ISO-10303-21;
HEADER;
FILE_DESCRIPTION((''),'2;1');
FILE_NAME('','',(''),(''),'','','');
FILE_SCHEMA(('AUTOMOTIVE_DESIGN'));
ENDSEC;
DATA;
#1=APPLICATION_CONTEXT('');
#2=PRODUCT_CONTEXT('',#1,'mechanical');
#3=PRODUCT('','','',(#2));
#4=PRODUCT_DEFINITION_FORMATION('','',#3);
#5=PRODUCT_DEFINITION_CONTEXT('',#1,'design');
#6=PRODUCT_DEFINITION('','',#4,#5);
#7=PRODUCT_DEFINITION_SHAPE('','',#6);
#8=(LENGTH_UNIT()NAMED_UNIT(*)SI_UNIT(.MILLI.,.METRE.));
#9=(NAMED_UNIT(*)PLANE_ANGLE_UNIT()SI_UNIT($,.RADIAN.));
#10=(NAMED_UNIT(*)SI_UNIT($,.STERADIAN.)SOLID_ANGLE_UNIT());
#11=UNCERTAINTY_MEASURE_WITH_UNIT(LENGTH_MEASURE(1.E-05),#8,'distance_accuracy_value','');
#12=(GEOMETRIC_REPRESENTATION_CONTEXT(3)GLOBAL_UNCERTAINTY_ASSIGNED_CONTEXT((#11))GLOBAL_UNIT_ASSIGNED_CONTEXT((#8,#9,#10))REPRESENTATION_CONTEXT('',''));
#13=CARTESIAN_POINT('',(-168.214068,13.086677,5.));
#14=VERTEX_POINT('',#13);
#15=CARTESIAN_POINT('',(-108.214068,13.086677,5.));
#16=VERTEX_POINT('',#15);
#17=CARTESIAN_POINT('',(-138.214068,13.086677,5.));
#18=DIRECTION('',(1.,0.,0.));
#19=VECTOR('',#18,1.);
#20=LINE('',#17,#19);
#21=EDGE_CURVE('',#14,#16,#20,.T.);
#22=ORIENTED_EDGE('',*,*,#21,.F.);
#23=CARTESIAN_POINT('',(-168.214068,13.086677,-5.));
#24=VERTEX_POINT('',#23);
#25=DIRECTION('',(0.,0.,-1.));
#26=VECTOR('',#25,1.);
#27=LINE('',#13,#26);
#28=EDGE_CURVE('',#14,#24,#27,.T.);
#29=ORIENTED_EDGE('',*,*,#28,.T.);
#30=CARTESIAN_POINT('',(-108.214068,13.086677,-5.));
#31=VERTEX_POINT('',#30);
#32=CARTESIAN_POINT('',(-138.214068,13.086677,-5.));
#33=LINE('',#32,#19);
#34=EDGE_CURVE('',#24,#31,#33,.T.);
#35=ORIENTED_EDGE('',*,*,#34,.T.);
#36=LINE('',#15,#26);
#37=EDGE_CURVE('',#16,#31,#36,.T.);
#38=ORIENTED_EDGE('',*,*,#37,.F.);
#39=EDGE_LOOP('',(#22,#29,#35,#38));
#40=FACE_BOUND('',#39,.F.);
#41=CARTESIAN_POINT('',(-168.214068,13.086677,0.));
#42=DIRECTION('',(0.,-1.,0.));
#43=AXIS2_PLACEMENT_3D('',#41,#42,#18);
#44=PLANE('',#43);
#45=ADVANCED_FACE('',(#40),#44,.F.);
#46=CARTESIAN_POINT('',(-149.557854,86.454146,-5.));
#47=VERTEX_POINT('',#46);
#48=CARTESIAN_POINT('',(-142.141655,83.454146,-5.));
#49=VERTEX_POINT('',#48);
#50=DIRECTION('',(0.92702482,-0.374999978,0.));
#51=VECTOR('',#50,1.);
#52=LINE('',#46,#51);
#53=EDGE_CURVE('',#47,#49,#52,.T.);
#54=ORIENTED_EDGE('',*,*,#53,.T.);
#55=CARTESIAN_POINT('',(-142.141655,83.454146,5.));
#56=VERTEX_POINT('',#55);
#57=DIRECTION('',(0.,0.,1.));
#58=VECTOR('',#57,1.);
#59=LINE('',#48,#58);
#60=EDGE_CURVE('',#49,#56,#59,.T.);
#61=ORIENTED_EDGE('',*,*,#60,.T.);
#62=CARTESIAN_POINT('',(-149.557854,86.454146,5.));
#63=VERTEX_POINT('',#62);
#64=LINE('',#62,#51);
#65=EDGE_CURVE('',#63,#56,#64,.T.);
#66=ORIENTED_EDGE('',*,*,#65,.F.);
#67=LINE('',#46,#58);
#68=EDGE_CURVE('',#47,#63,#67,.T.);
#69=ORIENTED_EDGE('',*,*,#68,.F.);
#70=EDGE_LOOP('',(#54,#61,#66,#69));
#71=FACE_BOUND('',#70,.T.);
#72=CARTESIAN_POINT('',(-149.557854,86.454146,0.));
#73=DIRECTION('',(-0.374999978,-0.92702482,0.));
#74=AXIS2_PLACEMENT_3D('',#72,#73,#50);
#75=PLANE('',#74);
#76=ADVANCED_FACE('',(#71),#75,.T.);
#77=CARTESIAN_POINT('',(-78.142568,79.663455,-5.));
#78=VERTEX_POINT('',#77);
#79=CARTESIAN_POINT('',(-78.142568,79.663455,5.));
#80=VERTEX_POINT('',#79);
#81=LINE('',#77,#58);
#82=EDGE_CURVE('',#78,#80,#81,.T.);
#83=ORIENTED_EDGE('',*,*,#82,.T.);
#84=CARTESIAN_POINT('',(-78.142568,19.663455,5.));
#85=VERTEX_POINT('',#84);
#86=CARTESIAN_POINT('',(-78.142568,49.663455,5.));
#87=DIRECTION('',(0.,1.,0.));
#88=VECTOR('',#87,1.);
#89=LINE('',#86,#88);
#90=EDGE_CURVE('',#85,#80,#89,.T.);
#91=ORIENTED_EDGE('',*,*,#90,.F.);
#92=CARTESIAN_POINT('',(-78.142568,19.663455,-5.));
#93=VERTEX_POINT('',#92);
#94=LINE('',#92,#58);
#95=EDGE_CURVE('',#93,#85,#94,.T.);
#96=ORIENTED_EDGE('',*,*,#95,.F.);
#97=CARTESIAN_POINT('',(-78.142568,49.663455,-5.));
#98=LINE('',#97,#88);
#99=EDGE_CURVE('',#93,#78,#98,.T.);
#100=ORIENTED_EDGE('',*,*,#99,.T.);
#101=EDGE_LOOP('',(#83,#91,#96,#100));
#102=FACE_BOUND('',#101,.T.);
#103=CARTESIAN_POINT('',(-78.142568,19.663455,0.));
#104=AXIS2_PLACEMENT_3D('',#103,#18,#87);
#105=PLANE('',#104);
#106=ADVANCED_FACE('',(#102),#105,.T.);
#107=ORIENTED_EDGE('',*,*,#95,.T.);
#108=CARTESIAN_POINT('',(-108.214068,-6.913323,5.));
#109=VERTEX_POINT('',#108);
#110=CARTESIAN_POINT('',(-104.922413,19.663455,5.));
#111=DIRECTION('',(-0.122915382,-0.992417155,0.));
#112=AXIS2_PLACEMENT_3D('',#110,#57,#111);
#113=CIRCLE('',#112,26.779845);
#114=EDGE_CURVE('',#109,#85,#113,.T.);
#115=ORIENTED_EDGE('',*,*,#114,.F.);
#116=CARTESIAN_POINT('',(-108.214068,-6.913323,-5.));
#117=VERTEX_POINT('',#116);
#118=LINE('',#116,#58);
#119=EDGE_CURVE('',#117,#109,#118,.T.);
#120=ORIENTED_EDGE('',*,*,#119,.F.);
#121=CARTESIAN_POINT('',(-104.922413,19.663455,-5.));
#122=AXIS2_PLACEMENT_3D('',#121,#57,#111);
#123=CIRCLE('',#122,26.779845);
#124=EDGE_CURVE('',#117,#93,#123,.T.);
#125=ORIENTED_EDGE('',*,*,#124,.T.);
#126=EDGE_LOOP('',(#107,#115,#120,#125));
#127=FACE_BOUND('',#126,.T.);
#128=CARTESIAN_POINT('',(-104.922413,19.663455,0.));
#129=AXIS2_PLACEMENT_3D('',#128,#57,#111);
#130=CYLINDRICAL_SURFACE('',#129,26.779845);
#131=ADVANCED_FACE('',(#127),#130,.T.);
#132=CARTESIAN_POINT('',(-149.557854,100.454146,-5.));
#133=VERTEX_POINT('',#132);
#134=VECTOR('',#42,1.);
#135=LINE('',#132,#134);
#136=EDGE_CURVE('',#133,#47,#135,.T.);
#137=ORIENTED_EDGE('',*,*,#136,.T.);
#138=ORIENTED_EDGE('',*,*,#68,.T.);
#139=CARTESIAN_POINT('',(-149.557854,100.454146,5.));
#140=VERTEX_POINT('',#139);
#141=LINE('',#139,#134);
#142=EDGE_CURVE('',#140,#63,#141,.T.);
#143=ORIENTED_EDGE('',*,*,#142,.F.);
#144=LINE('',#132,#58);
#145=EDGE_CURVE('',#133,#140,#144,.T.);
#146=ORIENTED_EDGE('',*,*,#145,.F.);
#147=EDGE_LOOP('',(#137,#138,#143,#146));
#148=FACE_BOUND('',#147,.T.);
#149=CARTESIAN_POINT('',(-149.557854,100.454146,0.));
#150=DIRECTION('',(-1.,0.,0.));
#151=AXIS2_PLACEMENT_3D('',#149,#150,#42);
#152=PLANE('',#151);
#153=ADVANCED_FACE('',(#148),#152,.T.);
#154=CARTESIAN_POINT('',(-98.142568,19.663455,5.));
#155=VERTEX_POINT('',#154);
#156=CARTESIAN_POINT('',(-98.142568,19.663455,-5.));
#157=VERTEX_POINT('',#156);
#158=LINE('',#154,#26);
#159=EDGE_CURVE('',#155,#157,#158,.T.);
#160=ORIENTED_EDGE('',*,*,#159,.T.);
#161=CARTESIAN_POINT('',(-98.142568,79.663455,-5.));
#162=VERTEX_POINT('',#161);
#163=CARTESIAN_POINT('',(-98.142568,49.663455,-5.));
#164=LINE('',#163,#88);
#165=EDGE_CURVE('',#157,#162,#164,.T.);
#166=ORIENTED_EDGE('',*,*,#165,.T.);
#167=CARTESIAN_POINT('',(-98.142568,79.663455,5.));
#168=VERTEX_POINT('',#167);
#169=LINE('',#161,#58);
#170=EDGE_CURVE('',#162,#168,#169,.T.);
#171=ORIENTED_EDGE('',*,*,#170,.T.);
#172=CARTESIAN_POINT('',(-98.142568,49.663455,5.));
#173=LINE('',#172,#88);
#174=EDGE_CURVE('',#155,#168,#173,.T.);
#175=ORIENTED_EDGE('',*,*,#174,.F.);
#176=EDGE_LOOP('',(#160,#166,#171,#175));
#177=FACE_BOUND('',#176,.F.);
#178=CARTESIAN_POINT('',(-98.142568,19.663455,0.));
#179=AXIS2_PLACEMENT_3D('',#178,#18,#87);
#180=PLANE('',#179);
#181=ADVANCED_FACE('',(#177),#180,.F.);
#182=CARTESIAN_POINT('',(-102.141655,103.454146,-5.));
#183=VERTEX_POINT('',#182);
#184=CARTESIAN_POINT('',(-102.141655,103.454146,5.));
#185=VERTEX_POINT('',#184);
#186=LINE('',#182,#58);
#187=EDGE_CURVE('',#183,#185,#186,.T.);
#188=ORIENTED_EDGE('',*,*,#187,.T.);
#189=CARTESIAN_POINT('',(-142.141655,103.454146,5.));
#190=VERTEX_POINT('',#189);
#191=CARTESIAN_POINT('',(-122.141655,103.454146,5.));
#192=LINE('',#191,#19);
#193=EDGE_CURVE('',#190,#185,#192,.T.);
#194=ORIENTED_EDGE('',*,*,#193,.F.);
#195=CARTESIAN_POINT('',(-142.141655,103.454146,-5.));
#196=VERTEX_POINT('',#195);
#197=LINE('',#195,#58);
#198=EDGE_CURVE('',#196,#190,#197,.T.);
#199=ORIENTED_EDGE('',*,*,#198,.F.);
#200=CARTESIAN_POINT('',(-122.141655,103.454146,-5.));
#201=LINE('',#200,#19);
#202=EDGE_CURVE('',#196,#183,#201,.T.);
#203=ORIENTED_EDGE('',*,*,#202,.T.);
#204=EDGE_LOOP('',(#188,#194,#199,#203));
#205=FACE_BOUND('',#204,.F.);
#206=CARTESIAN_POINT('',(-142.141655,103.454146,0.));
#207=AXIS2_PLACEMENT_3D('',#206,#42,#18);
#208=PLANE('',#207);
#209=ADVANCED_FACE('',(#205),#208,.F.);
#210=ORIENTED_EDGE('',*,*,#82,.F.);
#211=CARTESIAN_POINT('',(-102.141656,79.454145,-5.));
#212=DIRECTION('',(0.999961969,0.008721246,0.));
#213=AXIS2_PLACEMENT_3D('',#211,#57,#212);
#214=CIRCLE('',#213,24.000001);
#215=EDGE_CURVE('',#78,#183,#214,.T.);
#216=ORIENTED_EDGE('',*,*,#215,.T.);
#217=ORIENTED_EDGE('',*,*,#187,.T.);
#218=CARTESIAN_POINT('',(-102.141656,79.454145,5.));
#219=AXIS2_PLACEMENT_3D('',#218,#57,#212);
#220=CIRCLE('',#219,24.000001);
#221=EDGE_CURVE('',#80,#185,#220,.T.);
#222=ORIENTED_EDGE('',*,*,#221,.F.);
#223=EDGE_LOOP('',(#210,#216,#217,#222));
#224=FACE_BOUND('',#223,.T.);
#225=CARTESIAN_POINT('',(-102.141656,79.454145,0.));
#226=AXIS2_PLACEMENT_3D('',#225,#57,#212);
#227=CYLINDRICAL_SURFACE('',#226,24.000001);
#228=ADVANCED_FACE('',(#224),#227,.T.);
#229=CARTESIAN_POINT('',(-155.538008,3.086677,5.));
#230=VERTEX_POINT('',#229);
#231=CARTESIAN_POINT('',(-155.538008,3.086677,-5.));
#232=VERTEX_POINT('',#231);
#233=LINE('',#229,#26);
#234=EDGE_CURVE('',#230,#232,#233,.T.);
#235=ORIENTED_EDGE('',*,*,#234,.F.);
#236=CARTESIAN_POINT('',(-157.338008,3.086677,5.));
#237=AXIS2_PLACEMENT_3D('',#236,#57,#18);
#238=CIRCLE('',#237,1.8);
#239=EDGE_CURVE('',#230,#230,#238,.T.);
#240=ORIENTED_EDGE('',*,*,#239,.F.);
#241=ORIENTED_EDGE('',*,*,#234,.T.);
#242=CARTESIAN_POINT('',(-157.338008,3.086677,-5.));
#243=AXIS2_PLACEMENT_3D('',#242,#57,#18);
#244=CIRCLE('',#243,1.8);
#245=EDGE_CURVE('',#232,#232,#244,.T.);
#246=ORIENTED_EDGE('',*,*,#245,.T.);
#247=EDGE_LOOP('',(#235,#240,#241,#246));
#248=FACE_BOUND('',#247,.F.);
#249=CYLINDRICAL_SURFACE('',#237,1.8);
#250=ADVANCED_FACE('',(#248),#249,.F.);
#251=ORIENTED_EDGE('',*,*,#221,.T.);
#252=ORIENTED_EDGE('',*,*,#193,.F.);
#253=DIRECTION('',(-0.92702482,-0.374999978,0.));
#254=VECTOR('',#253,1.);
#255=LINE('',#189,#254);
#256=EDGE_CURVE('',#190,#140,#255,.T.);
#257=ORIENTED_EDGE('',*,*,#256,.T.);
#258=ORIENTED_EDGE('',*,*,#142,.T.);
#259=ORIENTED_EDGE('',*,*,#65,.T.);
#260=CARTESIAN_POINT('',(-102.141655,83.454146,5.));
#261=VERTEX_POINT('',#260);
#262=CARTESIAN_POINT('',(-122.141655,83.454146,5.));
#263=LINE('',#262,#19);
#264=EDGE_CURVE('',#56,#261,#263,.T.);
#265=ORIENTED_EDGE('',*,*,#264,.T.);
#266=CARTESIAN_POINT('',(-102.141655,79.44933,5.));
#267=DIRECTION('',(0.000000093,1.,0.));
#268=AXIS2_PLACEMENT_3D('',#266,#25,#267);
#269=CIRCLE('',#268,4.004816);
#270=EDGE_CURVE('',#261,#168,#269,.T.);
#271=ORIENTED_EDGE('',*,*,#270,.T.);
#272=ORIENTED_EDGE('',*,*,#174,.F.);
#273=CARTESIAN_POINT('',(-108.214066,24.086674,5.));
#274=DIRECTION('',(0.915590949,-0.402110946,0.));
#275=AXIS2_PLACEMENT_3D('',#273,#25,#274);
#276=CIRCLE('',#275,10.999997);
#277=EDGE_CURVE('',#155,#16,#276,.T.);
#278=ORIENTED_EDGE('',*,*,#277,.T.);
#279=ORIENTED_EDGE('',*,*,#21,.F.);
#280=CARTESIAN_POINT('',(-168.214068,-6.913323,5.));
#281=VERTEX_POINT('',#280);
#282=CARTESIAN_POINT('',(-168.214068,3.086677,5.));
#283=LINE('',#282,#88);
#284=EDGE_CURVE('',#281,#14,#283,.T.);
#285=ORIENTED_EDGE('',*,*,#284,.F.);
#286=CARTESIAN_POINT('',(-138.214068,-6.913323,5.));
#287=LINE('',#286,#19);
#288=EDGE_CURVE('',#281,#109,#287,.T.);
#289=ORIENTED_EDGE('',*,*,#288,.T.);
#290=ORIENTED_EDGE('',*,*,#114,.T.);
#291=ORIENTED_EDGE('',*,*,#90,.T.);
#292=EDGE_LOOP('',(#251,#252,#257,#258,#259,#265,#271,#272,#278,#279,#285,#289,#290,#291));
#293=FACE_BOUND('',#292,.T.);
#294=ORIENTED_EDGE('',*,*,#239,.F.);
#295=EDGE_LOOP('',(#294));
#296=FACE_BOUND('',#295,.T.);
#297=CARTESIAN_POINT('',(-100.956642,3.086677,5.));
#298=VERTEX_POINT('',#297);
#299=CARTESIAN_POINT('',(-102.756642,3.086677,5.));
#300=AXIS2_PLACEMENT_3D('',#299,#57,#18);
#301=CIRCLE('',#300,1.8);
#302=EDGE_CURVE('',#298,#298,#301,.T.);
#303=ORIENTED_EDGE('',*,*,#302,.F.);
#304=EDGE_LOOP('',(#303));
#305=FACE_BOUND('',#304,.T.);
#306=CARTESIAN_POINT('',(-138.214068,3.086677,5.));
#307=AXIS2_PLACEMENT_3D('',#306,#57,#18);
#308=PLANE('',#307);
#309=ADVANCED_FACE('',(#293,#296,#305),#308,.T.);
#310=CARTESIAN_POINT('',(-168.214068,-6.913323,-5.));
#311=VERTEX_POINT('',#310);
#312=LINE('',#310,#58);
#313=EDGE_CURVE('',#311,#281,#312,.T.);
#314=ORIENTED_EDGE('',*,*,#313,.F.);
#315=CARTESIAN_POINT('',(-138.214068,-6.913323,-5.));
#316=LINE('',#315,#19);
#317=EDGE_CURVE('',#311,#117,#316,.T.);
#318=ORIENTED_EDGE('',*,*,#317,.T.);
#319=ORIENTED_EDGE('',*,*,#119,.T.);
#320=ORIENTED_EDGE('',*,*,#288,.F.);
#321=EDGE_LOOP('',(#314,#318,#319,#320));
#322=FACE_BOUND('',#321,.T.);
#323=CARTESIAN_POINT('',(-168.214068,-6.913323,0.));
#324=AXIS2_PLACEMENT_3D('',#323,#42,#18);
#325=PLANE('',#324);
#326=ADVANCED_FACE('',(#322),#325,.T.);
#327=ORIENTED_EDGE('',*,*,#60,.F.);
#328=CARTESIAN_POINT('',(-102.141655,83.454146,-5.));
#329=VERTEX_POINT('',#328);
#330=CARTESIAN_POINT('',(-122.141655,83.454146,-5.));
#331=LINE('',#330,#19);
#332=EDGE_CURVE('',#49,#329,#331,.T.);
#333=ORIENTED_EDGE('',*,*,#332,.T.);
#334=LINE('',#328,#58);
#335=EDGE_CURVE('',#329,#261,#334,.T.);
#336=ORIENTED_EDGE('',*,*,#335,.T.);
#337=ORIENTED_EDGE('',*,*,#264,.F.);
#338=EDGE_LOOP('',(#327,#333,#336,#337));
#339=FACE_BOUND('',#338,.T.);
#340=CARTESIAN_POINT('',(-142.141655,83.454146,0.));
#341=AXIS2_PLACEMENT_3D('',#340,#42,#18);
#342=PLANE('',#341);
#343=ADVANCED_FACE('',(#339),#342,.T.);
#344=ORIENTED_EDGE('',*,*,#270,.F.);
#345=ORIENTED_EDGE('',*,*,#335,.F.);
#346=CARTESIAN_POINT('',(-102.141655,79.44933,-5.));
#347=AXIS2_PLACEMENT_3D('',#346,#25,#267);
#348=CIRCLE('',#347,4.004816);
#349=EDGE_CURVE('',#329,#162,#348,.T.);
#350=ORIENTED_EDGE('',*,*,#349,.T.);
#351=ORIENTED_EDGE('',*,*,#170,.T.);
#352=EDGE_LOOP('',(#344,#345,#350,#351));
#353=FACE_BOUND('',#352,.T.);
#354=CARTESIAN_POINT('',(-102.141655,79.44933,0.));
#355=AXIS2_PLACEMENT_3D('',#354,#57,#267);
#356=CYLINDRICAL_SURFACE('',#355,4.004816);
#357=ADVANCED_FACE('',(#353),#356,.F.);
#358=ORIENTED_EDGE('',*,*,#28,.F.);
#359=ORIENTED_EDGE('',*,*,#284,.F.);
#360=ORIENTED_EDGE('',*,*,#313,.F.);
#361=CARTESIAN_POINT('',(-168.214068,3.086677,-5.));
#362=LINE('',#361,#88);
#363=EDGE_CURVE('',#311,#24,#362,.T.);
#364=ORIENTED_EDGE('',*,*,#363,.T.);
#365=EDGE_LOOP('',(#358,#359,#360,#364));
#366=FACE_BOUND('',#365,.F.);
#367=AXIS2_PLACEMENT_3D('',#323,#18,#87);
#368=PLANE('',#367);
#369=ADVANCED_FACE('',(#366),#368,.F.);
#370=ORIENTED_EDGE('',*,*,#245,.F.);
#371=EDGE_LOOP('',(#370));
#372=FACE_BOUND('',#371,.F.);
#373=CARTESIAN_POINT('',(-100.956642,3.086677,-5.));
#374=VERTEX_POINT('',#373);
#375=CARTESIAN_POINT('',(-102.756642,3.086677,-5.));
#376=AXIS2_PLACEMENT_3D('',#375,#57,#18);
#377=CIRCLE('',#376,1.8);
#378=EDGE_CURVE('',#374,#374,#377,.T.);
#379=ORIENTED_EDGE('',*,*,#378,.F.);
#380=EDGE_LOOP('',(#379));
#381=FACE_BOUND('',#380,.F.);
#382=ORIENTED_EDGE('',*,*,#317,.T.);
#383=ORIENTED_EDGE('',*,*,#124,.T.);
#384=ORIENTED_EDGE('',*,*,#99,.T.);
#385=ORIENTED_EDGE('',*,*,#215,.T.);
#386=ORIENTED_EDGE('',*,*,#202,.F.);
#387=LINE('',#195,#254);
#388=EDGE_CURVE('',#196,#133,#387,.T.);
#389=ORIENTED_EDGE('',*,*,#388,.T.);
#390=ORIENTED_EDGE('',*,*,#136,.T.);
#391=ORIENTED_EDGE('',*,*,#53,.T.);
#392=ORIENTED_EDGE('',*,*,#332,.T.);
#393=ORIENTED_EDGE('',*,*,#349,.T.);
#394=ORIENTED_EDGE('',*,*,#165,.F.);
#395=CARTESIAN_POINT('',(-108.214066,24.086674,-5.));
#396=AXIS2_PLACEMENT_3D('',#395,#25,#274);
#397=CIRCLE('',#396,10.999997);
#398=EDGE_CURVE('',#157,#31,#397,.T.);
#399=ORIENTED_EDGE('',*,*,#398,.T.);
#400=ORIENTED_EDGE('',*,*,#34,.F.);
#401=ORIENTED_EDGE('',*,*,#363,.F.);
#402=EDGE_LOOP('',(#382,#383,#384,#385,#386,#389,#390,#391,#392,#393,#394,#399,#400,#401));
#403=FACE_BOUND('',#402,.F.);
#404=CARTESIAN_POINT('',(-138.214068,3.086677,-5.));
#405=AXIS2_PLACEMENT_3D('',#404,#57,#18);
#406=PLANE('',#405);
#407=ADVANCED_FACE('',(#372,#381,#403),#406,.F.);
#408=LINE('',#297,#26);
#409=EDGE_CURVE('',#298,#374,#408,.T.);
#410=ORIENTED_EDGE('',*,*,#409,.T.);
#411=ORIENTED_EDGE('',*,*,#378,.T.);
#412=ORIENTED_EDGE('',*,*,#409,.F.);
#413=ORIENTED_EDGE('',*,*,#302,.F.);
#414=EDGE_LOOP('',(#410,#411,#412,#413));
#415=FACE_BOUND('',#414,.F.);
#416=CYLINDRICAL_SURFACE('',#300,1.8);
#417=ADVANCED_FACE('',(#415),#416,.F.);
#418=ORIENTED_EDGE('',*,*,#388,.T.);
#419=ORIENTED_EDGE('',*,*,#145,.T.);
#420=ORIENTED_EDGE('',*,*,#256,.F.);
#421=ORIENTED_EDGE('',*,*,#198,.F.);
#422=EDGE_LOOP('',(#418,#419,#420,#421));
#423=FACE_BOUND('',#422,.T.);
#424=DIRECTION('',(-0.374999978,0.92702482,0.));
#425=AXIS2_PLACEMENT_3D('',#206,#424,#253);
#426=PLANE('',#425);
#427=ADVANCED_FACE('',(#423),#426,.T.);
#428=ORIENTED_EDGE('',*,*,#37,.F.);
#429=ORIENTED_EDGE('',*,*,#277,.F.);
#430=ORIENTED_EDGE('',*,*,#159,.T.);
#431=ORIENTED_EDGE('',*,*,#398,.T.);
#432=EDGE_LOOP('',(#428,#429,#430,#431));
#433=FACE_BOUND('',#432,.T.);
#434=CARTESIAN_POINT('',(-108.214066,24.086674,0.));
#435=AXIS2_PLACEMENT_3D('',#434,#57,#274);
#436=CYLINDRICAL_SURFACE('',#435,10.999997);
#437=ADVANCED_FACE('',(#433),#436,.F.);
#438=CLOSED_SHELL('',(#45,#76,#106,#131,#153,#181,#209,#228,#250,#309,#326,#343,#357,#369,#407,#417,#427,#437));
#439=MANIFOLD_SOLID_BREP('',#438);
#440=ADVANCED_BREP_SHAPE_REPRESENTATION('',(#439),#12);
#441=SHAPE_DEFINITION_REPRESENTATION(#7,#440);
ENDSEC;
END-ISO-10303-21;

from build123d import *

# Parameters (mm, degrees)
F0_W     = 60
F0_H     = 20
F0_W_2   = 20
F0_H_2   = 60
F0_W_3   = 40
F1_DEPTH = 5
F2_R     = 1.8
F3_DEPTH = 26
F4_R     = 1.8
F5_DEPTH = 20


with BuildPart() as f1:
    # F0 (on Top) → F1 (new body, symmetric)
    with BuildSketch(Plane.XY):
        with Locations((-138.214068, 3.086677)):
            Rectangle(F0_W, F0_H)
        with BuildLine():
            ThreePointArc((-98.142568, 19.663455), (-102.199728, 14.87648), (-108.214068, 13.086677))
            Line((-108.214068, 13.086677), (-108.214068, -6.913323))
            ThreePointArc((-108.214068, -6.913323), (-87.188123, -0.402812), (-78.142568, 19.663455))
            Line((-78.142568, 19.663455), (-98.142568, 19.663455))
        make_face()
        with Locations((-88.142568, 49.663455)):
            Rectangle(F0_W_2, F0_H_2)
        with BuildLine():
            ThreePointArc((-102.141655, 83.454146), (-99.386567, 82.355881), (-98.142568, 79.663455))
            Line((-98.142568, 79.663455), (-78.142568, 79.663455))
            ThreePointArc((-78.142568, 79.663455), (-85.245257, 96.49855), (-102.141655, 103.454146))
            Line((-102.141655, 103.454146), (-102.141655, 83.454146))
        make_face()
        with Locations((-122.141655, 93.454146)):
            Rectangle(F0_W_3, F0_H)
        Polygon((-149.557854, 86.454146), (-142.141655, 83.454146), (-142.141655, 103.454146), (-149.557854, 100.454146), align=None)
    extrude(amount=F1_DEPTH, both=True)

    # F2 (on face) → F3 (cut)
    with BuildSketch(Plane.XY.offset(5)):
        with Locations((-157.338008, 3.086677)):
            Circle(F2_R)
    extrude(amount=-F3_DEPTH, mode=Mode.SUBTRACT)

    # F4 (on face) → F5 (cut)
    with BuildSketch(Plane.XY.offset(5)):
        with Locations((-102.756642, 3.086677)):
            Circle(F4_R)
    extrude(amount=-F5_DEPTH, mode=Mode.SUBTRACT)


solid = f1.part
